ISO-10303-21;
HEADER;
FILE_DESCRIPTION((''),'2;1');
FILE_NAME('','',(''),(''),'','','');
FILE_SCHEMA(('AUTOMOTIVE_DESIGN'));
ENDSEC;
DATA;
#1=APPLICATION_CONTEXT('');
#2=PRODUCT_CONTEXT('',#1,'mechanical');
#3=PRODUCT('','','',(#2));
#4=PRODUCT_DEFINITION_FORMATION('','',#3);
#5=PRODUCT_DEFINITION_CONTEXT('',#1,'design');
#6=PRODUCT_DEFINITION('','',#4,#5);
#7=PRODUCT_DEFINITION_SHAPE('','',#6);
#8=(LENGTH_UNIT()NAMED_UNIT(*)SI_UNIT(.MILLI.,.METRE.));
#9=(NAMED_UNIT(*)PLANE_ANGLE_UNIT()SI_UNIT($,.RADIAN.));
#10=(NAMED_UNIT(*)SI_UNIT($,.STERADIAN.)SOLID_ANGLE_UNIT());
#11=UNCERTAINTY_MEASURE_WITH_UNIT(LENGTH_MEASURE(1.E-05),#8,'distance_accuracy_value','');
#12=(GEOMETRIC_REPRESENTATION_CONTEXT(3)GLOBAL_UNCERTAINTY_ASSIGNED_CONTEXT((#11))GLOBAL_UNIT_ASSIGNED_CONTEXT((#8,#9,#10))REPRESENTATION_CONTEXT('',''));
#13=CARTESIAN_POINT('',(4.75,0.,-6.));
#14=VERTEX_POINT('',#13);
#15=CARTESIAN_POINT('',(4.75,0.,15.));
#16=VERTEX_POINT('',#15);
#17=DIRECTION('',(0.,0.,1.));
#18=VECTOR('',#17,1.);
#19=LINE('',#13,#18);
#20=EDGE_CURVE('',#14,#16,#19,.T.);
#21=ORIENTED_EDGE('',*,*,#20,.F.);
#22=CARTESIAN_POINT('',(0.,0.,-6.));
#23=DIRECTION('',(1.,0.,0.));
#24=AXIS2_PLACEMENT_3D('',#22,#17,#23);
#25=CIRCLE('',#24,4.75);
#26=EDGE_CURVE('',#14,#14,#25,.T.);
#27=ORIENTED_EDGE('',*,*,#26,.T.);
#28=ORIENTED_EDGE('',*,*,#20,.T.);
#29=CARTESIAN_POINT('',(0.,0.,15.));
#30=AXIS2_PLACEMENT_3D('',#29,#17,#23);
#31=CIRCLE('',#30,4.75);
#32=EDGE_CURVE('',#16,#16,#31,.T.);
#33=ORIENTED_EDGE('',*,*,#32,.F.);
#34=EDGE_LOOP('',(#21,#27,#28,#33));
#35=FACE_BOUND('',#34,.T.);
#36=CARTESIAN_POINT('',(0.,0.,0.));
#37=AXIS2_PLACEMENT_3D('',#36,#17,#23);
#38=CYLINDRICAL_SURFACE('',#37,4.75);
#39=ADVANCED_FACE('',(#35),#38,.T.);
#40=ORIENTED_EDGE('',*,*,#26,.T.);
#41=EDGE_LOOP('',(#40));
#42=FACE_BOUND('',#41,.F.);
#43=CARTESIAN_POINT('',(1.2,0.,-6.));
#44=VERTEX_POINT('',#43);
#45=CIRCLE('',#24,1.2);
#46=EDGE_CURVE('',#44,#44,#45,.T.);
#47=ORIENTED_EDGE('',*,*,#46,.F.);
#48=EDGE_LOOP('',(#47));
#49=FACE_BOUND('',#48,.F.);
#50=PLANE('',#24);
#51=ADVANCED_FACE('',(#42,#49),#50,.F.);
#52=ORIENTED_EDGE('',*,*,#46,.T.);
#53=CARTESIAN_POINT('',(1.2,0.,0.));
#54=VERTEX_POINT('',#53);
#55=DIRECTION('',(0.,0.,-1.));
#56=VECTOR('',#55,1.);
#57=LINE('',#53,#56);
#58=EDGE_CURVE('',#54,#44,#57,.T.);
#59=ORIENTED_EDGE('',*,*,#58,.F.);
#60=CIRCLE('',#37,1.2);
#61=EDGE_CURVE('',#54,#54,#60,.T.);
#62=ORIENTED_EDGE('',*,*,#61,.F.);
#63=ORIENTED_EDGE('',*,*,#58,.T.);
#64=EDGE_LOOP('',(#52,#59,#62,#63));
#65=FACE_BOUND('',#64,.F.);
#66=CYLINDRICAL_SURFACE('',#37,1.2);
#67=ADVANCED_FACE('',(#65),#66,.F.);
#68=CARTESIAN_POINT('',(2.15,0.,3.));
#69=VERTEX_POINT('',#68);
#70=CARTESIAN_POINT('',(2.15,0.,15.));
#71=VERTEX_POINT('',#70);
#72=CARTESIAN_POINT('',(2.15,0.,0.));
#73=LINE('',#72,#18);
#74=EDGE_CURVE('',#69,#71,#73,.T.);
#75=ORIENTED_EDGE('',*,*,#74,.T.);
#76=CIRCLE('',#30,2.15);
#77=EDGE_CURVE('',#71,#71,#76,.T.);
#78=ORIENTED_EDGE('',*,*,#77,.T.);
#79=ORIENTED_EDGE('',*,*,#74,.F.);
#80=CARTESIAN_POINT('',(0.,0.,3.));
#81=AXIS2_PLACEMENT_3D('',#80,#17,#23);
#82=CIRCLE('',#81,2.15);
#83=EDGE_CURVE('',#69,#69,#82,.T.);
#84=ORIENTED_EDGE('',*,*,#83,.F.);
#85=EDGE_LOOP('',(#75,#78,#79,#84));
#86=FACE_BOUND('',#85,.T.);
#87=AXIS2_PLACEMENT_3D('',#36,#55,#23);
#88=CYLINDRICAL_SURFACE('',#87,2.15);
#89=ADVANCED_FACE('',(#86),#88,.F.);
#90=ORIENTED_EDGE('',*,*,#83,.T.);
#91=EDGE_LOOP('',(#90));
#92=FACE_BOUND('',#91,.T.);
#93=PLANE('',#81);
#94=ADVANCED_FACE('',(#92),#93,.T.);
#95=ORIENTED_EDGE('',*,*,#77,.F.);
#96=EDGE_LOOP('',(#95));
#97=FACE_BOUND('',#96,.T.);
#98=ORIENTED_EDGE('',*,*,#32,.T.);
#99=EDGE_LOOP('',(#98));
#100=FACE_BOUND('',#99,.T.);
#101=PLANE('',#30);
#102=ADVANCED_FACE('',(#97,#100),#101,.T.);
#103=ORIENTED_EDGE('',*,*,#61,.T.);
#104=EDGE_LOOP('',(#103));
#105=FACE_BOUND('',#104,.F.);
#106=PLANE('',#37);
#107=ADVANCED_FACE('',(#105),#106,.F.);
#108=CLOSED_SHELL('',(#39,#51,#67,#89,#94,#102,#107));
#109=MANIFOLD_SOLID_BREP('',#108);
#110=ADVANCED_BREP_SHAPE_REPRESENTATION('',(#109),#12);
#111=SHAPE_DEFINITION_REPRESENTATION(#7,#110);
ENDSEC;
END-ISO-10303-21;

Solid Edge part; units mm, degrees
sketch "Sketch1" plane through (0, 0, 0) normal (0, 0, 1) x (1, 0, 0)
  circle A0 centre (0, 0) radius 2.15
extrude "Protrusion1" add sketch "Sketch1" along normal blind 3
sketch "Sketch2" plane through (0, 0, 0) normal (0, 0, 1) x (1, 0, 0)
  circle A0 centre (0, 0) radius 4.75
  circle A1 centre (0, 0) radius 2.15
  dimension "D1" = 9.5
  dimension "D2" = 4.3
  dimension "D3" = 2.4
extrude "ExtrudedProtrusion_2" add sketch "Sketch2" along normal blind 15
sketch "Sketch3" plane through (0, 0, 0) normal (0, 0, 1) x (1, 0, 0)
  circle A0 centre (0, 0) radius 4.75
  circle A1 centre (0, 0) radius 1.2
  dimension "D1" = 9.5
  dimension "D2" = 4.3
  dimension "D3" = 2.4
extrude "ExtrudedProtrusion_3" add sketch "Sketch3" against normal blind 6
